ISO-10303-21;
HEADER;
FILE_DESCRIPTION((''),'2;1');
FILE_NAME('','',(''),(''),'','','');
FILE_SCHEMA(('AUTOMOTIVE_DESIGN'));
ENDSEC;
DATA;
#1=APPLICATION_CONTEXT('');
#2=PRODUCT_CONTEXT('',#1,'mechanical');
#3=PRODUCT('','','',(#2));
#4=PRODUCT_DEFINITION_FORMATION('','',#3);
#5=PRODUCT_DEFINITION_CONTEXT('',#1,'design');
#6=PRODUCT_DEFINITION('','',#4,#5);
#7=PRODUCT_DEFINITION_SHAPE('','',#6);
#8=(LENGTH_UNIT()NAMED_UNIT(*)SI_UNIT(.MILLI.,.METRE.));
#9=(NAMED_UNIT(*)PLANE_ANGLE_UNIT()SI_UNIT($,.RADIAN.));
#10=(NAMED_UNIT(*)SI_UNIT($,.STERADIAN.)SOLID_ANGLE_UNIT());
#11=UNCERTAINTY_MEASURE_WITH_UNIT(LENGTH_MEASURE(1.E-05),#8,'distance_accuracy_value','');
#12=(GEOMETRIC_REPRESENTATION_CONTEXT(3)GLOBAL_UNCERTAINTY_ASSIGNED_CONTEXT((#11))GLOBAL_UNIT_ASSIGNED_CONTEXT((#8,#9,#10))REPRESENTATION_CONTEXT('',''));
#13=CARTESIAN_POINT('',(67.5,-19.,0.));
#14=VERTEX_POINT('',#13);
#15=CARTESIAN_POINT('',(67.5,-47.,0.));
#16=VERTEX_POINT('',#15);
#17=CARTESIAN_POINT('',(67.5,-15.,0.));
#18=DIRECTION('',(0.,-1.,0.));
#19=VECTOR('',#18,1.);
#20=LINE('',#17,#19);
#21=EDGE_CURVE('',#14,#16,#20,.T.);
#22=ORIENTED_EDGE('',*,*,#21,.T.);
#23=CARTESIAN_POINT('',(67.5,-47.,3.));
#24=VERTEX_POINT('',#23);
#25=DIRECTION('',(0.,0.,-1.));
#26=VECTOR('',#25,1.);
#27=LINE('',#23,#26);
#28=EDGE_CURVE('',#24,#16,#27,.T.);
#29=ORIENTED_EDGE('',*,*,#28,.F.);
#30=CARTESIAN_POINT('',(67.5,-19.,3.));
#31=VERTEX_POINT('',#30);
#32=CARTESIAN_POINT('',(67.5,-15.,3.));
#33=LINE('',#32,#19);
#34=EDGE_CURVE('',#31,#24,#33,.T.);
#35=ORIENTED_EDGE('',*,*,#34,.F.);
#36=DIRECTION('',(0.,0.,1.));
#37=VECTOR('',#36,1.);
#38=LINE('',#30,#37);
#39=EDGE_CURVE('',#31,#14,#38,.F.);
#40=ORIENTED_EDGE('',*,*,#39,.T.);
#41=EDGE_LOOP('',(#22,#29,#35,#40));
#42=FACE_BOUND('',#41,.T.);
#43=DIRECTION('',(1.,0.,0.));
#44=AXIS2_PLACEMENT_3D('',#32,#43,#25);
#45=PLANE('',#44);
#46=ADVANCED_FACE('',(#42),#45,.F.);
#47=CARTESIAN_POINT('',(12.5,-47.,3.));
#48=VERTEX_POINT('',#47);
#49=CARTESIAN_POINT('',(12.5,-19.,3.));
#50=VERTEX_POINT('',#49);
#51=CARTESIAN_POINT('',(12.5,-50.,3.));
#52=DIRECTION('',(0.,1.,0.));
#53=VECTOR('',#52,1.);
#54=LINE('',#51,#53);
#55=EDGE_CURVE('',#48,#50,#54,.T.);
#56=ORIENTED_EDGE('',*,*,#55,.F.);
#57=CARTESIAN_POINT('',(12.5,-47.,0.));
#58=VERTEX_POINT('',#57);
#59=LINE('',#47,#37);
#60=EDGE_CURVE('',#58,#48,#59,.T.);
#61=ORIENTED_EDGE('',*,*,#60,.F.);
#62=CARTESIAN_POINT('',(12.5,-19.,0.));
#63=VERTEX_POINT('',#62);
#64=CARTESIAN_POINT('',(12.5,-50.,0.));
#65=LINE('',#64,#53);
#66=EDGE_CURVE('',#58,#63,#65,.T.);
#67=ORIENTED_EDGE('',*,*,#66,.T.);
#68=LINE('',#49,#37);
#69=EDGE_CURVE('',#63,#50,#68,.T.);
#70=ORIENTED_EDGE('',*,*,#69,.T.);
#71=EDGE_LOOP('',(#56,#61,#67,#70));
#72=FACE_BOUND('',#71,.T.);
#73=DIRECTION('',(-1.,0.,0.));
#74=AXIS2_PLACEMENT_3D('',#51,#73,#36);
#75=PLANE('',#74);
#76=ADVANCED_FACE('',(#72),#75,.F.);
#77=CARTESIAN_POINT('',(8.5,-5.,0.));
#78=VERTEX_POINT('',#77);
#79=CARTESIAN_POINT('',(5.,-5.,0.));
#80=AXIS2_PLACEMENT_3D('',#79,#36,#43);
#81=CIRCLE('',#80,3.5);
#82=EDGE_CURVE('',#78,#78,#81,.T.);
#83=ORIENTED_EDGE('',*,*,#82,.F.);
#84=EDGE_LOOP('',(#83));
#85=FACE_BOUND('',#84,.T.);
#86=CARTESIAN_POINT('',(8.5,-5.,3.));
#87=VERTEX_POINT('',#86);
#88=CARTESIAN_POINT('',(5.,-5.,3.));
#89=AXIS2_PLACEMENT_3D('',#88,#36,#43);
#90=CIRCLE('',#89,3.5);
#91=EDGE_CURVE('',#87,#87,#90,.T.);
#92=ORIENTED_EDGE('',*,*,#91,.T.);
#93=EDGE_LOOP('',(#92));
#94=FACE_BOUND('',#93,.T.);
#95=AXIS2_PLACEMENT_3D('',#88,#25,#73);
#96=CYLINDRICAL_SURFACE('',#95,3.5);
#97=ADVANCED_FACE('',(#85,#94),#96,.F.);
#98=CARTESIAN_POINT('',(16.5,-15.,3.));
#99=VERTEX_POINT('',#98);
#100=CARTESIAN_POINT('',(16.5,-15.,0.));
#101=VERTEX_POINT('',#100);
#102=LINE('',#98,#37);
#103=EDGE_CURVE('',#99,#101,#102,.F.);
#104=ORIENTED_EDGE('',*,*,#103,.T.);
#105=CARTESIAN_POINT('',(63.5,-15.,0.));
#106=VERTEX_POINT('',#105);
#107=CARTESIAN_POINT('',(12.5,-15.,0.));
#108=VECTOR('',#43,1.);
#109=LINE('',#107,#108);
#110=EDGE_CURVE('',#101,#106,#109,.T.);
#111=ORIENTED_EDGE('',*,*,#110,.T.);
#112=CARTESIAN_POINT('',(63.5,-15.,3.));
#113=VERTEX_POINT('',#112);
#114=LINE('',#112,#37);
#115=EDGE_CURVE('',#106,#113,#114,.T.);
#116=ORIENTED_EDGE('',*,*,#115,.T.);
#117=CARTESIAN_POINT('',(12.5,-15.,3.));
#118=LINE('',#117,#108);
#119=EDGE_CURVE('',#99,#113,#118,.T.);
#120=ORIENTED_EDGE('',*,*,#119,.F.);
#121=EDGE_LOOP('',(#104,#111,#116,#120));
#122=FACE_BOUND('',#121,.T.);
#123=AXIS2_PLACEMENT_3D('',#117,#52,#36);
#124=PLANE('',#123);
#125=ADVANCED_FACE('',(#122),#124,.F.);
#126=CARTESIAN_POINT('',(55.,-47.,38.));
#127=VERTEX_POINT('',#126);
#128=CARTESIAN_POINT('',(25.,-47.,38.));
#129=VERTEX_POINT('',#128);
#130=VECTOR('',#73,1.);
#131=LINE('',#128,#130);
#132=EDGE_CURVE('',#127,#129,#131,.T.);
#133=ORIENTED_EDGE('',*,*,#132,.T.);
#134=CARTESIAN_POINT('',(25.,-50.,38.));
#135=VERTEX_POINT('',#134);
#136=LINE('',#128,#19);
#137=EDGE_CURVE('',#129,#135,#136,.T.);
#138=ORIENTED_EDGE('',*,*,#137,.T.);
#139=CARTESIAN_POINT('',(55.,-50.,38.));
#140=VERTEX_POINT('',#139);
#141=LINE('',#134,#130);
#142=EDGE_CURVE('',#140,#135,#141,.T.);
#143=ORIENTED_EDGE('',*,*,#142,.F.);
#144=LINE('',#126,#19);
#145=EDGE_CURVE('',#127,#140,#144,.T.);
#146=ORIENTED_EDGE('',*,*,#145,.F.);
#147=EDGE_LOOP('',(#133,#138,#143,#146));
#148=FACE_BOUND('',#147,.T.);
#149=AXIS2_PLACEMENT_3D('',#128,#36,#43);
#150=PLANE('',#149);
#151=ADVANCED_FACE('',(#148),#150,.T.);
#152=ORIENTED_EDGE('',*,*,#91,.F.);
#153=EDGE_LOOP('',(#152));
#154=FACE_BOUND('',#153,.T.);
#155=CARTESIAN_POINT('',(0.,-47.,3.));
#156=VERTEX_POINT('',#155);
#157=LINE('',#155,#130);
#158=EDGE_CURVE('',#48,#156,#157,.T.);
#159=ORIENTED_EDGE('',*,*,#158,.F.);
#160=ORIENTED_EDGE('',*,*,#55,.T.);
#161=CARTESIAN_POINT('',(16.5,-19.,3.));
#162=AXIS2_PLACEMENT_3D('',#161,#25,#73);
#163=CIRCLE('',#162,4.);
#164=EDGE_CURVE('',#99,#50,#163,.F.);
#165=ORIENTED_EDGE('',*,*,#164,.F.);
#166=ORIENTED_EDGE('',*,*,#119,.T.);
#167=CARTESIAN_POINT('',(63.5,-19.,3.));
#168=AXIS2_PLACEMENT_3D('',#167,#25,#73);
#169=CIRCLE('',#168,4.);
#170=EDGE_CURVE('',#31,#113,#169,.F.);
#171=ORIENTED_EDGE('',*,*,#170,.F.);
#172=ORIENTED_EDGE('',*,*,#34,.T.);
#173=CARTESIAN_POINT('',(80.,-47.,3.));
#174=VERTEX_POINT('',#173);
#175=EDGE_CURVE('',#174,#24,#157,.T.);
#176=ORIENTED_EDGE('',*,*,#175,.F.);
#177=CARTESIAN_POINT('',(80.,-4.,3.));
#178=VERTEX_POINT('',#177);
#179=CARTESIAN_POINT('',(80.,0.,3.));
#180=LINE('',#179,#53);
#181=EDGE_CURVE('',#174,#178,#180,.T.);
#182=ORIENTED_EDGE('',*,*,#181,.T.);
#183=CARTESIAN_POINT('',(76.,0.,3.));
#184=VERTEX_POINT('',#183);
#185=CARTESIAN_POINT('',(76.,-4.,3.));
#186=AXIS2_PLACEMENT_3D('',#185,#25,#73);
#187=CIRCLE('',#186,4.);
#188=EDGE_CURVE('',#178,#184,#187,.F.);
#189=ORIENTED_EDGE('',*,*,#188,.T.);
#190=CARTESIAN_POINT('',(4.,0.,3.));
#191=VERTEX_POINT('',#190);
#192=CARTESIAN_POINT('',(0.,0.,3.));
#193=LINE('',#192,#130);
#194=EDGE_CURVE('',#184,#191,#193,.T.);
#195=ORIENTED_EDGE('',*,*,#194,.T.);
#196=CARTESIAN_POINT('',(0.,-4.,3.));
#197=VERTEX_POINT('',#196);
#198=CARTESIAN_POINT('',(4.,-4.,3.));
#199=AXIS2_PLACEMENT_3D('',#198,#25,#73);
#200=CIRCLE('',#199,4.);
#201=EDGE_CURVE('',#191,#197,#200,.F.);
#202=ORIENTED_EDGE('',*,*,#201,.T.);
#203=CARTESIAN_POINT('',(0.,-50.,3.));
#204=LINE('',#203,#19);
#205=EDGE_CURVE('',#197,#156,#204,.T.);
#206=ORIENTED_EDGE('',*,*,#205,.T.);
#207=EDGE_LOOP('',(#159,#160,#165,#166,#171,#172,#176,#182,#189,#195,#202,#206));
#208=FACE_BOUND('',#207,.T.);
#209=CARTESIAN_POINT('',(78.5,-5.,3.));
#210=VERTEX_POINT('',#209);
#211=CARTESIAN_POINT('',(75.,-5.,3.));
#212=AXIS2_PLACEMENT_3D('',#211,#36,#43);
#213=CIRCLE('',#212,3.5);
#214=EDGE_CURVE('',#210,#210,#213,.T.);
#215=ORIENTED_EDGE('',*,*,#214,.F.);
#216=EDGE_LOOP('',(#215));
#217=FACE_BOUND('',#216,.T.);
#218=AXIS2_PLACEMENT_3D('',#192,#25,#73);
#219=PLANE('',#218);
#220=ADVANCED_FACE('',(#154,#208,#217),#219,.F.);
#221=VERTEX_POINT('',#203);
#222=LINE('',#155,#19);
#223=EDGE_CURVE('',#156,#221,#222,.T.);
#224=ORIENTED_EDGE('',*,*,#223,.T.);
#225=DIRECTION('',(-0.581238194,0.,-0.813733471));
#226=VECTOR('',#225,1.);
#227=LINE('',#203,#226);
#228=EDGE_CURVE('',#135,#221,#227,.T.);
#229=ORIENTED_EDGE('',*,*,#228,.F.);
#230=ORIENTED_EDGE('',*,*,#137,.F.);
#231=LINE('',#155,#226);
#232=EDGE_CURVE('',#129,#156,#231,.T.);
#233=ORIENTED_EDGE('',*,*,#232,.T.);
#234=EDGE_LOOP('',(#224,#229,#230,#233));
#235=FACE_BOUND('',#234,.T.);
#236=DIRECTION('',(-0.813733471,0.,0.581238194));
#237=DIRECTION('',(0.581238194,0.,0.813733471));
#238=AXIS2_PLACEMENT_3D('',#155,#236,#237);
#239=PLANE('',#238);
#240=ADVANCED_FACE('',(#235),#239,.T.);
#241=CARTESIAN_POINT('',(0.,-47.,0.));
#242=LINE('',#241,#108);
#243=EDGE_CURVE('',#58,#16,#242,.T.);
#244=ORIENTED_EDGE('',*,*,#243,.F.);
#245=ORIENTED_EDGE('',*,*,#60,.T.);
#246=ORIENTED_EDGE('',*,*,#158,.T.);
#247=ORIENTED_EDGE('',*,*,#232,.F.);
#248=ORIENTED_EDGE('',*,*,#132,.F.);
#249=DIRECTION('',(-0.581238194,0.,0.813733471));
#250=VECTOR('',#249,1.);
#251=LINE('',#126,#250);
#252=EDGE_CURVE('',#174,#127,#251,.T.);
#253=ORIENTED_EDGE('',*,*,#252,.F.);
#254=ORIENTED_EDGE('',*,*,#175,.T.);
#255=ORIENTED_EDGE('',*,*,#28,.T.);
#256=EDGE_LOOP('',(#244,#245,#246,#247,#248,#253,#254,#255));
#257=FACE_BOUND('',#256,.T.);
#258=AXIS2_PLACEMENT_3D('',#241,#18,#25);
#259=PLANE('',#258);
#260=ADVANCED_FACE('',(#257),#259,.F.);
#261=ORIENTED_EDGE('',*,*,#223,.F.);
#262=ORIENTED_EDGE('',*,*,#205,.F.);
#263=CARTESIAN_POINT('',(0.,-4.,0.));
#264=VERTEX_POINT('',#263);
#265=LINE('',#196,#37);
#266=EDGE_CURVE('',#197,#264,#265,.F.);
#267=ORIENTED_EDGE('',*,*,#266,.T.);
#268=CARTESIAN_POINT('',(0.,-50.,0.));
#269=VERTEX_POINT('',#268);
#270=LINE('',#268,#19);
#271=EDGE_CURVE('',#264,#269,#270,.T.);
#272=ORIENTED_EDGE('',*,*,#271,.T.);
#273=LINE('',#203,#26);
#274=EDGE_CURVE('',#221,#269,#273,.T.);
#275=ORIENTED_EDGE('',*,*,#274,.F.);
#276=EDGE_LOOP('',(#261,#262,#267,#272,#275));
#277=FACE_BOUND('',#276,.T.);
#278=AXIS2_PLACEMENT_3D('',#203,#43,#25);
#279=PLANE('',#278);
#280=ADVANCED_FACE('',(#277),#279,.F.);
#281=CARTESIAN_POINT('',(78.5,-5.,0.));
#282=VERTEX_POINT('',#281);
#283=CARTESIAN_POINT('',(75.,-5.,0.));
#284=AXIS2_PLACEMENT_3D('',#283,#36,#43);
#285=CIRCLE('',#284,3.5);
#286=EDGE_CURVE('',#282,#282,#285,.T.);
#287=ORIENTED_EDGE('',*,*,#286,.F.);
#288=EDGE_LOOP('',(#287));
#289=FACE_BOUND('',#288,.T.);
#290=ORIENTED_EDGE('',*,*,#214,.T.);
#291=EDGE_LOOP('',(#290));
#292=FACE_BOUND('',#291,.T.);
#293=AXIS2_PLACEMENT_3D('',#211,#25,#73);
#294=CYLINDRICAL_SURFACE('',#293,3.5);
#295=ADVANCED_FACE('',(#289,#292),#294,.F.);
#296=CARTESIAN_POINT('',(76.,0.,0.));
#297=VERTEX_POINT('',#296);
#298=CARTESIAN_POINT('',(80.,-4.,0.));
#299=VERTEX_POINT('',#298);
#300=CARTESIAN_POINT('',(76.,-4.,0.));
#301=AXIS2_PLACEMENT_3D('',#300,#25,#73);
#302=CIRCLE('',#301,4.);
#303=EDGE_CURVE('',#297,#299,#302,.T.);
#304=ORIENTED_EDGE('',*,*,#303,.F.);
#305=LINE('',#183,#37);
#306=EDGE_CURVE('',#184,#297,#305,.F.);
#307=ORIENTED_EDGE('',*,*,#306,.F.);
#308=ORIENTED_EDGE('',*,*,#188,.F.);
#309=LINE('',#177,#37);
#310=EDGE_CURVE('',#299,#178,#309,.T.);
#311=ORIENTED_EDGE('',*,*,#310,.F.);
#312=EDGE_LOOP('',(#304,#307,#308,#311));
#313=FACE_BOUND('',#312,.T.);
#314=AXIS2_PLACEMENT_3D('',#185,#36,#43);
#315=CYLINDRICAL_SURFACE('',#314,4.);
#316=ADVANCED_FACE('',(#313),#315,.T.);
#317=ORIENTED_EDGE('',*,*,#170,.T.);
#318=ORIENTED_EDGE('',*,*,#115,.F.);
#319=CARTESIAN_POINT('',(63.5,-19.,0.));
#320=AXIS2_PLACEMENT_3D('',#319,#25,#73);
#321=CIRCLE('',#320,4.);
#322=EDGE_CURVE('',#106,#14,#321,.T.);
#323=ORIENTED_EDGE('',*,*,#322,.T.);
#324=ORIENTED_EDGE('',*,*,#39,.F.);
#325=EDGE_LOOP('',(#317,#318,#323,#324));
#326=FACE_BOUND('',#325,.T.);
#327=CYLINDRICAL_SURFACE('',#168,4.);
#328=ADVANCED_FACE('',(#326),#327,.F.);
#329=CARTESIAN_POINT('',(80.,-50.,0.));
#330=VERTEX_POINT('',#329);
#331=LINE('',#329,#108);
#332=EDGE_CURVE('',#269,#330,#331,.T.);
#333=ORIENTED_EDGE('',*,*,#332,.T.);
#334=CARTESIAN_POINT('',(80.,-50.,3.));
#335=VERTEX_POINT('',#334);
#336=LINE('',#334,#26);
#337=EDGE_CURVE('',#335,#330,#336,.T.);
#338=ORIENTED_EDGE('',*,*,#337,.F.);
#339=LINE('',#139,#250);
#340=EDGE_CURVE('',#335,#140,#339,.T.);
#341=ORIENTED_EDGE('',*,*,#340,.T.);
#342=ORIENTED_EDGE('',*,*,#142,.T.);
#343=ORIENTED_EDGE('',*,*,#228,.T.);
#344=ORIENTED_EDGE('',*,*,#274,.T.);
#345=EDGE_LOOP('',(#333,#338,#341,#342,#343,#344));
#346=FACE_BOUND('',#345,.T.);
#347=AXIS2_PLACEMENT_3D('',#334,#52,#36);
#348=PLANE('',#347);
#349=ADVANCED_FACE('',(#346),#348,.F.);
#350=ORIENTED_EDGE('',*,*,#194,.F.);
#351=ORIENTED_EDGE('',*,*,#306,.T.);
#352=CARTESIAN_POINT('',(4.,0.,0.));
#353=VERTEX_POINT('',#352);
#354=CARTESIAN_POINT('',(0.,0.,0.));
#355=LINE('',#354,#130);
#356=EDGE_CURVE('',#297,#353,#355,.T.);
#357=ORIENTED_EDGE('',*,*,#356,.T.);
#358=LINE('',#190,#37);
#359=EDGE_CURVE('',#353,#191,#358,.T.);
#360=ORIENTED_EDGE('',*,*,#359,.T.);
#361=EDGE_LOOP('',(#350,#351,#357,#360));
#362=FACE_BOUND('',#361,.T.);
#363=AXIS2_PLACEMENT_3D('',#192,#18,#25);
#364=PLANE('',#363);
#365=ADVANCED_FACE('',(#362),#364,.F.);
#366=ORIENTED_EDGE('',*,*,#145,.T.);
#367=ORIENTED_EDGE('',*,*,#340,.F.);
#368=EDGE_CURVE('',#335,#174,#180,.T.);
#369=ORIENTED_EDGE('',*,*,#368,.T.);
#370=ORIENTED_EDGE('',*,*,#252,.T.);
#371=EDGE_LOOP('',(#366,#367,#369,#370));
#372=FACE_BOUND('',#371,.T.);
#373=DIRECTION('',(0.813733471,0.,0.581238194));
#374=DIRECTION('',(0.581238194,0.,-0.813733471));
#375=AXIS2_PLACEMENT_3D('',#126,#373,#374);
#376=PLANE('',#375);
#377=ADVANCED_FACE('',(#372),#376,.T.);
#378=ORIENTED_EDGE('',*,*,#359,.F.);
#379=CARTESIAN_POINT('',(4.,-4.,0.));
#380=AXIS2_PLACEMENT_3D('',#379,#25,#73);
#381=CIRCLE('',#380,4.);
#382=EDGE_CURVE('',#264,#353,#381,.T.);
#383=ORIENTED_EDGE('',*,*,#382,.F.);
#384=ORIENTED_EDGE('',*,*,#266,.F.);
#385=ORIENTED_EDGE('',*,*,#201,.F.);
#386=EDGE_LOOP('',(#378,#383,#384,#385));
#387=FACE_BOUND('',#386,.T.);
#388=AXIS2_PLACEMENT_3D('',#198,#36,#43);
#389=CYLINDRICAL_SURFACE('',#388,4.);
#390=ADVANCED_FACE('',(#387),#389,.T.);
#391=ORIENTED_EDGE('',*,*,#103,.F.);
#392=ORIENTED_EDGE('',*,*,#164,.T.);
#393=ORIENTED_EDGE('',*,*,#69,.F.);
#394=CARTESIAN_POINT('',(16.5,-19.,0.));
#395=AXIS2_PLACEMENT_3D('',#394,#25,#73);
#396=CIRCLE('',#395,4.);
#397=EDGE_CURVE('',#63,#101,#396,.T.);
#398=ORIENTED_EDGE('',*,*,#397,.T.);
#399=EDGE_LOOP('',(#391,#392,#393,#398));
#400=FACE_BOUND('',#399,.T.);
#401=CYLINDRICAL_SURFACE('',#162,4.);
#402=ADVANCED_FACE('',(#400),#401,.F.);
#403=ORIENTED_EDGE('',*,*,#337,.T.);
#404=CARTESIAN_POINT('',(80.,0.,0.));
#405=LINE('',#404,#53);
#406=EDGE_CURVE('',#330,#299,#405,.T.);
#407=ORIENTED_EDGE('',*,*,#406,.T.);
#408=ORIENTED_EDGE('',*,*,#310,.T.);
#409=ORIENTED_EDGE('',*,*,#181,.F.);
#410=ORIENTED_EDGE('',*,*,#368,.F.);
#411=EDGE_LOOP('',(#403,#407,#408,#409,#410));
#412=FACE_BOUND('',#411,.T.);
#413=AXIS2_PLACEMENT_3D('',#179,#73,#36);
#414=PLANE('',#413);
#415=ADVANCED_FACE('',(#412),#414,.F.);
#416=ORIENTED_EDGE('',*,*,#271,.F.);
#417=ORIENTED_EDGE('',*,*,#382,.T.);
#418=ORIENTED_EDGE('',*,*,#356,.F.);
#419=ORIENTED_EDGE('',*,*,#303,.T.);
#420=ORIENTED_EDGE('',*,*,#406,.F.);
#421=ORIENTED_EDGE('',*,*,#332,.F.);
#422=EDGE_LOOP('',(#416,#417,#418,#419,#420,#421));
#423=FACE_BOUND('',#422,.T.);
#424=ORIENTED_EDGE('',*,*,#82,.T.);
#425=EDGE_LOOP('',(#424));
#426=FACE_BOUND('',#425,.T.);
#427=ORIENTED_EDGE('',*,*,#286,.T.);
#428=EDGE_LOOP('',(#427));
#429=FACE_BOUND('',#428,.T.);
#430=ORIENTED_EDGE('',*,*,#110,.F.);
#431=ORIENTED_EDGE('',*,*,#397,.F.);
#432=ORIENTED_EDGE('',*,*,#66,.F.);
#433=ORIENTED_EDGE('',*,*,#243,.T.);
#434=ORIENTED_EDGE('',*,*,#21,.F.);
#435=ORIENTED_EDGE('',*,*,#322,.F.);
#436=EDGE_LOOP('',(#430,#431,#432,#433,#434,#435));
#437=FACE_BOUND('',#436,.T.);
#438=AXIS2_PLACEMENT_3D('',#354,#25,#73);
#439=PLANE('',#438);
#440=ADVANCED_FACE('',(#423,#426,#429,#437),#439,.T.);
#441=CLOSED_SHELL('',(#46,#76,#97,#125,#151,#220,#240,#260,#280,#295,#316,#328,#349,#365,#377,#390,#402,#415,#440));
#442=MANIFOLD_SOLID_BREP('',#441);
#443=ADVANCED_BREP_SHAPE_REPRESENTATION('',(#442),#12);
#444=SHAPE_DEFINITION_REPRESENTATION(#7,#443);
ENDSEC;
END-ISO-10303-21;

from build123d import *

# Parameters (mm, degrees)
SKETCH_1_R      = 3.5
EXTRUDE_1_DEPTH = 3
FILLET_1_R      = 4
FILLET_2_R      = 4
FILLET_3_R      = 4
FILLET_4_R      = 4
EXTRUDE_2_DEPTH = 3


with BuildPart() as part:
    # 草图1 → 凸台-拉伸1 (new body)
    with BuildSketch(Plane.XY):
        Polygon((0, 0), (80, 0), (80, -50), (67.5, -50), (67.5, -15), (12.5, -15), (12.5, -50), (0, -50), align=None)
        with Locations((5, -5)):
            Circle(SKETCH_1_R, mode=Mode.SUBTRACT)
        with Locations((75, -5)):
            Circle(SKETCH_1_R, mode=Mode.SUBTRACT)
    extrude(amount=EXTRUDE_1_DEPTH)

    # 圆角1
    fillet_1_edges = [part.edges().sort_by_distance(p)[0] for p in [
        (0, 0, 1.5),
    ]]
    fillet(fillet_1_edges, radius=FILLET_1_R)

    # 圆角2
    fillet_2_edges = [part.edges().sort_by_distance(p)[0] for p in [
        (80, 0, 1.5),
    ]]
    fillet(fillet_2_edges, radius=FILLET_2_R)

    # 圆角3
    fillet_3_edges = [part.edges().sort_by_distance(p)[0] for p in [
        (12.5, -15, 1.5),
    ]]
    fillet(fillet_3_edges, radius=FILLET_3_R)

    # 圆角4
    fillet_4_edges = [part.edges().sort_by_distance(p)[0] for p in [
        (67.5, -15, 1.5),
    ]]
    fillet(fillet_4_edges, radius=FILLET_4_R)

    # 草图2 → 凸台-拉伸2 (add)
    with BuildSketch(Plane.XZ.offset(50)):
        Polygon((0, 3), (25, 38), (55, 38), (80, 3), (80, 0), (0, 0), align=None)
    extrude(amount=-EXTRUDE_2_DEPTH)


solid = part.part
